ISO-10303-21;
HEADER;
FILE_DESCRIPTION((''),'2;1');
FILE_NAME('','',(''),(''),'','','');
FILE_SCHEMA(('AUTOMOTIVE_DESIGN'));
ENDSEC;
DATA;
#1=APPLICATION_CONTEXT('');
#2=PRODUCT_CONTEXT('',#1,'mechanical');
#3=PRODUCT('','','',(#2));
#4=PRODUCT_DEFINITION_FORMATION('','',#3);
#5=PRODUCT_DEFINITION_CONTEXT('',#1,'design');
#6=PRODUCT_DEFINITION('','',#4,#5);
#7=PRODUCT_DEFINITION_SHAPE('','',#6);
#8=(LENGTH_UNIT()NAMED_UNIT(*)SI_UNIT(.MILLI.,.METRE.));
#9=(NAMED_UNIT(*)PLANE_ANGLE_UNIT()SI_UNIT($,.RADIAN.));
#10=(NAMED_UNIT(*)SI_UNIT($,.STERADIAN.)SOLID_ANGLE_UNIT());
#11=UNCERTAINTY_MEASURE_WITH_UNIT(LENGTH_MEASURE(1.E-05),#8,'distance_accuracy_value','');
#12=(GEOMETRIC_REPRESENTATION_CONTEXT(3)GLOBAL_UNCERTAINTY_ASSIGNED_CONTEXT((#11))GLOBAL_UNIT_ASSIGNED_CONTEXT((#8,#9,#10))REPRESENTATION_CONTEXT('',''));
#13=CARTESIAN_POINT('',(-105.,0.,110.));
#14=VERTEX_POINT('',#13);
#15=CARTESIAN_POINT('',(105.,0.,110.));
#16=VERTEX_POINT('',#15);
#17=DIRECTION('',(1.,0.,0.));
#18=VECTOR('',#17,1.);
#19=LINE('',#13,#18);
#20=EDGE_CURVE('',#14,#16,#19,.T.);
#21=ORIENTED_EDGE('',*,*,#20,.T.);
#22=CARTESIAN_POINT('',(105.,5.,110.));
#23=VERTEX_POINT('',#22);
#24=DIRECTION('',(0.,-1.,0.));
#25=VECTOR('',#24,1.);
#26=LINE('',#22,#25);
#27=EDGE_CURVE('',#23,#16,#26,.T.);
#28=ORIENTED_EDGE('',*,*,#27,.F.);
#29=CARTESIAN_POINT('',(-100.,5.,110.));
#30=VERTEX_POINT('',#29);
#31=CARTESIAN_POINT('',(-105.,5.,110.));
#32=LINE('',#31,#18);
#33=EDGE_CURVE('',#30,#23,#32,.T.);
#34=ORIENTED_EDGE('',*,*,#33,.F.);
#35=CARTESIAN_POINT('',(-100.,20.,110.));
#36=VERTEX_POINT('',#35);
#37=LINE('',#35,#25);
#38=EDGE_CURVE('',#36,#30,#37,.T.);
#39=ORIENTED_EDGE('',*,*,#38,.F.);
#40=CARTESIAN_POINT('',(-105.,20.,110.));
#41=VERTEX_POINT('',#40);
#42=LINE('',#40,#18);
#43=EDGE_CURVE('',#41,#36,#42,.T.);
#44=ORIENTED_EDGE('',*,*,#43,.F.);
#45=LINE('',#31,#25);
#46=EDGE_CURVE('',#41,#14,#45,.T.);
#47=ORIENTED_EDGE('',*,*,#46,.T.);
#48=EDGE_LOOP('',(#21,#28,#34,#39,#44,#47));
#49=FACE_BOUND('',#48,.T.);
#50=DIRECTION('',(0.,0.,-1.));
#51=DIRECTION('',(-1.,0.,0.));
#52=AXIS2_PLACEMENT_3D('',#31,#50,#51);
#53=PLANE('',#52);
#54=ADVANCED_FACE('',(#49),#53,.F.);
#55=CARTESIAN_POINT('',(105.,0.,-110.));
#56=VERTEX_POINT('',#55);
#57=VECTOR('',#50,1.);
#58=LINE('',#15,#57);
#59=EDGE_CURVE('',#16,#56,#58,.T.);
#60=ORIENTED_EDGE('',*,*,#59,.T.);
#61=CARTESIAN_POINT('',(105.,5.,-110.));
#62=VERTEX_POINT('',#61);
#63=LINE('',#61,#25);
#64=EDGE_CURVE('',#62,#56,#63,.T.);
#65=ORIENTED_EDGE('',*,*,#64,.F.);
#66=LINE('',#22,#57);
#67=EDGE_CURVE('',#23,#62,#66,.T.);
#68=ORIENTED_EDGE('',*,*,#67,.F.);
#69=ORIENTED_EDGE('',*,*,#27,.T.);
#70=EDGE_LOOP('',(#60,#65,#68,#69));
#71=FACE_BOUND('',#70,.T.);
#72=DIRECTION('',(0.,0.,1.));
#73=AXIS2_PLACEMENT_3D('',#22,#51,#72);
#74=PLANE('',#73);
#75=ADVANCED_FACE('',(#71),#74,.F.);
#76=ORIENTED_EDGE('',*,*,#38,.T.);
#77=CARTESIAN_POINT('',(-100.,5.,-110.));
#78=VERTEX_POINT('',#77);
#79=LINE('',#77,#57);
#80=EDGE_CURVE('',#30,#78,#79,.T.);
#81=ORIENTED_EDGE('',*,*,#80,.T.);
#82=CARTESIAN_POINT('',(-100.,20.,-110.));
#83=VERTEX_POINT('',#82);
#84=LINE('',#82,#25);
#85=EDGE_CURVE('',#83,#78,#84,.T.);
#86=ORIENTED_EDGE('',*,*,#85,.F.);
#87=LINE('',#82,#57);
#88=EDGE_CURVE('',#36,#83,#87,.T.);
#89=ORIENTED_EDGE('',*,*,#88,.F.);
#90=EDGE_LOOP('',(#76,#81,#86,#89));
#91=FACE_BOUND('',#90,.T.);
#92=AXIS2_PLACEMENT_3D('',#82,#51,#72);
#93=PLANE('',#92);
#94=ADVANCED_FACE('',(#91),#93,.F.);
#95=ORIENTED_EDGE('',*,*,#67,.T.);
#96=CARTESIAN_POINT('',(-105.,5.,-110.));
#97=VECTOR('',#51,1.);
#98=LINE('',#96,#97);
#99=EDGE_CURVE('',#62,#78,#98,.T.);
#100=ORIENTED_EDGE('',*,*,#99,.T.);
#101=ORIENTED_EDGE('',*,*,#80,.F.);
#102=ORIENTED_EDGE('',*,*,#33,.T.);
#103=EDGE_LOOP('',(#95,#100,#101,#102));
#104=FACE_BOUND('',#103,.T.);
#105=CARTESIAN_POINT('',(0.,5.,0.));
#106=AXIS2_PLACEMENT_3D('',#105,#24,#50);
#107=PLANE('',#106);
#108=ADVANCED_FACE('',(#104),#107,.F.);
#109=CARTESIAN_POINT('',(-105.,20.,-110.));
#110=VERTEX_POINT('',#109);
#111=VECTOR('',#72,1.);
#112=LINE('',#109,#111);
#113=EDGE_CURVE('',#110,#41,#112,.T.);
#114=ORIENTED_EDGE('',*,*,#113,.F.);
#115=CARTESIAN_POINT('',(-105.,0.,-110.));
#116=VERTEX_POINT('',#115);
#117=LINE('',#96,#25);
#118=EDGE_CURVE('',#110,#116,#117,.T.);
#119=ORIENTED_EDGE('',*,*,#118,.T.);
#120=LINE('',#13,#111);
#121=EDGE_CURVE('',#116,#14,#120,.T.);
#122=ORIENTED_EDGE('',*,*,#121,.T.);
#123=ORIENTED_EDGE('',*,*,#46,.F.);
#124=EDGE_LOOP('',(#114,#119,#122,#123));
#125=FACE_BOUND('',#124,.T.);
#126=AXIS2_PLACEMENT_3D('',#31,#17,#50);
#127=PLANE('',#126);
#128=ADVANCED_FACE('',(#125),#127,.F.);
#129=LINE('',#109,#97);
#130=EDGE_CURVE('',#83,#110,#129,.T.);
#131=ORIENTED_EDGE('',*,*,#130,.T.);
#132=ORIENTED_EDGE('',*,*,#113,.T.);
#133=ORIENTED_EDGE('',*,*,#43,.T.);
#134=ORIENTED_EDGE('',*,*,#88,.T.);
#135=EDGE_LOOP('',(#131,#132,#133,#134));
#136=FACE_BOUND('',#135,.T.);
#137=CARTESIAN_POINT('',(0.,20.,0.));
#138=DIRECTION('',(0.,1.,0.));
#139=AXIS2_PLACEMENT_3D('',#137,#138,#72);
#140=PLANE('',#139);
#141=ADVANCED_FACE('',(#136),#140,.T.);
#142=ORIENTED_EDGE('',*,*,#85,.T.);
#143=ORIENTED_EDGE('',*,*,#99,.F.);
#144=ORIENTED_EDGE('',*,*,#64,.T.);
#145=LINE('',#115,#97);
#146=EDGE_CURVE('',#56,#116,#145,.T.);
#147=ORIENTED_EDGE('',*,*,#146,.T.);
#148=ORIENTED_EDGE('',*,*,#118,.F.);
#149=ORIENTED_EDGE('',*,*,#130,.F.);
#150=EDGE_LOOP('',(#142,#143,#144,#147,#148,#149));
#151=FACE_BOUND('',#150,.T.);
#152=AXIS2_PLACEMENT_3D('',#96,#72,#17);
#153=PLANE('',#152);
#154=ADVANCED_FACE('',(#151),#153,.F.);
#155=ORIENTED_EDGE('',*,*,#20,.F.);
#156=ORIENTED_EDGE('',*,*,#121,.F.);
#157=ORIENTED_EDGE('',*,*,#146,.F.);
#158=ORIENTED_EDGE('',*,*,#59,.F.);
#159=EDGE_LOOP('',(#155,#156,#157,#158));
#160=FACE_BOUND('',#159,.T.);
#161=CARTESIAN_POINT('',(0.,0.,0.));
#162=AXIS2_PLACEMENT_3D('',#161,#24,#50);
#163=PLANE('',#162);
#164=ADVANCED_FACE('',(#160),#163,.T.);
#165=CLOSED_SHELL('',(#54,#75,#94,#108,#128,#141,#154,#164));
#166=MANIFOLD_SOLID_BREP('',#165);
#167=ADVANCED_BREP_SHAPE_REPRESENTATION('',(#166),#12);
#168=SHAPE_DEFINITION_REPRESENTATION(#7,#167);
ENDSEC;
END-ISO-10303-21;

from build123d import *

# Parameters (mm, degrees)
SKETCH1_W           = 210
SKETCH1_H           = 220
BOSS_EXTRUDE1_DEPTH = 5
SKETCH2_W           = 5
SKETCH2_H           = 220
BOSS_EXTRUDE3_DEPTH = 15


with BuildPart() as part:
    # Sketch1 → Boss-Extrude1 (new body)
    with BuildSketch(Plane(origin=(0, 0, 0), x_dir=(1, 0, 0), z_dir=(0, 1, 0))):
        Rectangle(SKETCH1_W, SKETCH1_H)
    extrude(amount=BOSS_EXTRUDE1_DEPTH)

    # Sketch2 → Boss-Extrude3 (add)
    with BuildSketch(Plane(origin=(0, 5, 0), x_dir=(1, 0, 0), z_dir=(0, 1, 0))):
        with Locations((-102.5, 0)):
            Rectangle(SKETCH2_W, SKETCH2_H)
    extrude(amount=BOSS_EXTRUDE3_DEPTH)


solid = part.part
